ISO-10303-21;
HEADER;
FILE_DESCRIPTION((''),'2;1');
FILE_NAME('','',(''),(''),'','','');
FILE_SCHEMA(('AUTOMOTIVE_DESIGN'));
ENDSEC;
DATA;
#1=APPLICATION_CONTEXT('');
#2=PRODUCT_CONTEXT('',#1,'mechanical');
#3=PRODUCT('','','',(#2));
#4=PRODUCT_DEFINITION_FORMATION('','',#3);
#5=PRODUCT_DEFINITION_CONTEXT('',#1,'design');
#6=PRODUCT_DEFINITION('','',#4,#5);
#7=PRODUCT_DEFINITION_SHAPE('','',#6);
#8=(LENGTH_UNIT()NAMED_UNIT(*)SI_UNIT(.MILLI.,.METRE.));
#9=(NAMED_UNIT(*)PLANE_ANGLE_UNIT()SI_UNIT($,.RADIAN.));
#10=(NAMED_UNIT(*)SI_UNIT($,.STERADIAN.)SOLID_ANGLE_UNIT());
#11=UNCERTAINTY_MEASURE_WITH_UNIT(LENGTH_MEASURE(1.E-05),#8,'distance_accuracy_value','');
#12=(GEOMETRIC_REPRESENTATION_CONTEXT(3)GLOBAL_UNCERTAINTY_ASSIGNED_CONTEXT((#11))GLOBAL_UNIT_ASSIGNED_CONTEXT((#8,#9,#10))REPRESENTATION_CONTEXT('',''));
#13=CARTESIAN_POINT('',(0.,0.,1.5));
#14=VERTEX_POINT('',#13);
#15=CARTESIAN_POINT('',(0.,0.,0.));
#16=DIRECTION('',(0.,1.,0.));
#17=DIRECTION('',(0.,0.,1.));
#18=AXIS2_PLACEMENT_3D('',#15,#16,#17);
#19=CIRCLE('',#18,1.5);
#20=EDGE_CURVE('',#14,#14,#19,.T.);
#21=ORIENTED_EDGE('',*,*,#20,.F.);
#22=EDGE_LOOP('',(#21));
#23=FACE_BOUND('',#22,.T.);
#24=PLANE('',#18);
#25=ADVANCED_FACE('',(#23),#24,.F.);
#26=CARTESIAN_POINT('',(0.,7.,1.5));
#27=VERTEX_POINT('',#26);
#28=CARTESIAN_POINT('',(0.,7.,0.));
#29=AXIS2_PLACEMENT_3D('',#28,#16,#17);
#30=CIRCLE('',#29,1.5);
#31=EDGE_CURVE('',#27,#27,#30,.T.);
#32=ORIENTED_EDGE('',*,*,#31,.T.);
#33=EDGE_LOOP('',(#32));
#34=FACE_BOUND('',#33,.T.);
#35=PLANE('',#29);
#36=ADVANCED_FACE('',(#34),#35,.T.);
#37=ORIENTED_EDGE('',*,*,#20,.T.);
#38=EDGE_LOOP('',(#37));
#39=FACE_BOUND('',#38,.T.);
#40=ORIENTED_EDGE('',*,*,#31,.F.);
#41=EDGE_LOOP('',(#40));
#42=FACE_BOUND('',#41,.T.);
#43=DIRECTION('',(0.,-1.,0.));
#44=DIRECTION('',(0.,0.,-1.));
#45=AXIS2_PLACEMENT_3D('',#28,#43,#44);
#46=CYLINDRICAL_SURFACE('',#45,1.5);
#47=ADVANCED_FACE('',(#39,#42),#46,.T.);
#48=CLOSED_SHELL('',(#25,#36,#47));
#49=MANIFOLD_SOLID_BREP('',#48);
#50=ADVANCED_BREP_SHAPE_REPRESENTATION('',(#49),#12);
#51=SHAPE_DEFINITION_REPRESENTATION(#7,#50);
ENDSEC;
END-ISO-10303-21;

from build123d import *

# Parameters (mm, degrees)
SKETCH1_R           = 1.5
BOSS_EXTRUDE1_DEPTH = 7


with BuildPart() as part:
    # Sketch1 → Boss-Extrude1 (new body)
    with BuildSketch(Plane(origin=(0, 0, 0), x_dir=(1, 0, 0), z_dir=(0, 1, 0))):
        with Locations(Location((0, 0, 0), (0, 0, 270))):  # turned: the seam where the file's is
            Circle(SKETCH1_R)
    extrude(amount=BOSS_EXTRUDE1_DEPTH)


solid = part.part
